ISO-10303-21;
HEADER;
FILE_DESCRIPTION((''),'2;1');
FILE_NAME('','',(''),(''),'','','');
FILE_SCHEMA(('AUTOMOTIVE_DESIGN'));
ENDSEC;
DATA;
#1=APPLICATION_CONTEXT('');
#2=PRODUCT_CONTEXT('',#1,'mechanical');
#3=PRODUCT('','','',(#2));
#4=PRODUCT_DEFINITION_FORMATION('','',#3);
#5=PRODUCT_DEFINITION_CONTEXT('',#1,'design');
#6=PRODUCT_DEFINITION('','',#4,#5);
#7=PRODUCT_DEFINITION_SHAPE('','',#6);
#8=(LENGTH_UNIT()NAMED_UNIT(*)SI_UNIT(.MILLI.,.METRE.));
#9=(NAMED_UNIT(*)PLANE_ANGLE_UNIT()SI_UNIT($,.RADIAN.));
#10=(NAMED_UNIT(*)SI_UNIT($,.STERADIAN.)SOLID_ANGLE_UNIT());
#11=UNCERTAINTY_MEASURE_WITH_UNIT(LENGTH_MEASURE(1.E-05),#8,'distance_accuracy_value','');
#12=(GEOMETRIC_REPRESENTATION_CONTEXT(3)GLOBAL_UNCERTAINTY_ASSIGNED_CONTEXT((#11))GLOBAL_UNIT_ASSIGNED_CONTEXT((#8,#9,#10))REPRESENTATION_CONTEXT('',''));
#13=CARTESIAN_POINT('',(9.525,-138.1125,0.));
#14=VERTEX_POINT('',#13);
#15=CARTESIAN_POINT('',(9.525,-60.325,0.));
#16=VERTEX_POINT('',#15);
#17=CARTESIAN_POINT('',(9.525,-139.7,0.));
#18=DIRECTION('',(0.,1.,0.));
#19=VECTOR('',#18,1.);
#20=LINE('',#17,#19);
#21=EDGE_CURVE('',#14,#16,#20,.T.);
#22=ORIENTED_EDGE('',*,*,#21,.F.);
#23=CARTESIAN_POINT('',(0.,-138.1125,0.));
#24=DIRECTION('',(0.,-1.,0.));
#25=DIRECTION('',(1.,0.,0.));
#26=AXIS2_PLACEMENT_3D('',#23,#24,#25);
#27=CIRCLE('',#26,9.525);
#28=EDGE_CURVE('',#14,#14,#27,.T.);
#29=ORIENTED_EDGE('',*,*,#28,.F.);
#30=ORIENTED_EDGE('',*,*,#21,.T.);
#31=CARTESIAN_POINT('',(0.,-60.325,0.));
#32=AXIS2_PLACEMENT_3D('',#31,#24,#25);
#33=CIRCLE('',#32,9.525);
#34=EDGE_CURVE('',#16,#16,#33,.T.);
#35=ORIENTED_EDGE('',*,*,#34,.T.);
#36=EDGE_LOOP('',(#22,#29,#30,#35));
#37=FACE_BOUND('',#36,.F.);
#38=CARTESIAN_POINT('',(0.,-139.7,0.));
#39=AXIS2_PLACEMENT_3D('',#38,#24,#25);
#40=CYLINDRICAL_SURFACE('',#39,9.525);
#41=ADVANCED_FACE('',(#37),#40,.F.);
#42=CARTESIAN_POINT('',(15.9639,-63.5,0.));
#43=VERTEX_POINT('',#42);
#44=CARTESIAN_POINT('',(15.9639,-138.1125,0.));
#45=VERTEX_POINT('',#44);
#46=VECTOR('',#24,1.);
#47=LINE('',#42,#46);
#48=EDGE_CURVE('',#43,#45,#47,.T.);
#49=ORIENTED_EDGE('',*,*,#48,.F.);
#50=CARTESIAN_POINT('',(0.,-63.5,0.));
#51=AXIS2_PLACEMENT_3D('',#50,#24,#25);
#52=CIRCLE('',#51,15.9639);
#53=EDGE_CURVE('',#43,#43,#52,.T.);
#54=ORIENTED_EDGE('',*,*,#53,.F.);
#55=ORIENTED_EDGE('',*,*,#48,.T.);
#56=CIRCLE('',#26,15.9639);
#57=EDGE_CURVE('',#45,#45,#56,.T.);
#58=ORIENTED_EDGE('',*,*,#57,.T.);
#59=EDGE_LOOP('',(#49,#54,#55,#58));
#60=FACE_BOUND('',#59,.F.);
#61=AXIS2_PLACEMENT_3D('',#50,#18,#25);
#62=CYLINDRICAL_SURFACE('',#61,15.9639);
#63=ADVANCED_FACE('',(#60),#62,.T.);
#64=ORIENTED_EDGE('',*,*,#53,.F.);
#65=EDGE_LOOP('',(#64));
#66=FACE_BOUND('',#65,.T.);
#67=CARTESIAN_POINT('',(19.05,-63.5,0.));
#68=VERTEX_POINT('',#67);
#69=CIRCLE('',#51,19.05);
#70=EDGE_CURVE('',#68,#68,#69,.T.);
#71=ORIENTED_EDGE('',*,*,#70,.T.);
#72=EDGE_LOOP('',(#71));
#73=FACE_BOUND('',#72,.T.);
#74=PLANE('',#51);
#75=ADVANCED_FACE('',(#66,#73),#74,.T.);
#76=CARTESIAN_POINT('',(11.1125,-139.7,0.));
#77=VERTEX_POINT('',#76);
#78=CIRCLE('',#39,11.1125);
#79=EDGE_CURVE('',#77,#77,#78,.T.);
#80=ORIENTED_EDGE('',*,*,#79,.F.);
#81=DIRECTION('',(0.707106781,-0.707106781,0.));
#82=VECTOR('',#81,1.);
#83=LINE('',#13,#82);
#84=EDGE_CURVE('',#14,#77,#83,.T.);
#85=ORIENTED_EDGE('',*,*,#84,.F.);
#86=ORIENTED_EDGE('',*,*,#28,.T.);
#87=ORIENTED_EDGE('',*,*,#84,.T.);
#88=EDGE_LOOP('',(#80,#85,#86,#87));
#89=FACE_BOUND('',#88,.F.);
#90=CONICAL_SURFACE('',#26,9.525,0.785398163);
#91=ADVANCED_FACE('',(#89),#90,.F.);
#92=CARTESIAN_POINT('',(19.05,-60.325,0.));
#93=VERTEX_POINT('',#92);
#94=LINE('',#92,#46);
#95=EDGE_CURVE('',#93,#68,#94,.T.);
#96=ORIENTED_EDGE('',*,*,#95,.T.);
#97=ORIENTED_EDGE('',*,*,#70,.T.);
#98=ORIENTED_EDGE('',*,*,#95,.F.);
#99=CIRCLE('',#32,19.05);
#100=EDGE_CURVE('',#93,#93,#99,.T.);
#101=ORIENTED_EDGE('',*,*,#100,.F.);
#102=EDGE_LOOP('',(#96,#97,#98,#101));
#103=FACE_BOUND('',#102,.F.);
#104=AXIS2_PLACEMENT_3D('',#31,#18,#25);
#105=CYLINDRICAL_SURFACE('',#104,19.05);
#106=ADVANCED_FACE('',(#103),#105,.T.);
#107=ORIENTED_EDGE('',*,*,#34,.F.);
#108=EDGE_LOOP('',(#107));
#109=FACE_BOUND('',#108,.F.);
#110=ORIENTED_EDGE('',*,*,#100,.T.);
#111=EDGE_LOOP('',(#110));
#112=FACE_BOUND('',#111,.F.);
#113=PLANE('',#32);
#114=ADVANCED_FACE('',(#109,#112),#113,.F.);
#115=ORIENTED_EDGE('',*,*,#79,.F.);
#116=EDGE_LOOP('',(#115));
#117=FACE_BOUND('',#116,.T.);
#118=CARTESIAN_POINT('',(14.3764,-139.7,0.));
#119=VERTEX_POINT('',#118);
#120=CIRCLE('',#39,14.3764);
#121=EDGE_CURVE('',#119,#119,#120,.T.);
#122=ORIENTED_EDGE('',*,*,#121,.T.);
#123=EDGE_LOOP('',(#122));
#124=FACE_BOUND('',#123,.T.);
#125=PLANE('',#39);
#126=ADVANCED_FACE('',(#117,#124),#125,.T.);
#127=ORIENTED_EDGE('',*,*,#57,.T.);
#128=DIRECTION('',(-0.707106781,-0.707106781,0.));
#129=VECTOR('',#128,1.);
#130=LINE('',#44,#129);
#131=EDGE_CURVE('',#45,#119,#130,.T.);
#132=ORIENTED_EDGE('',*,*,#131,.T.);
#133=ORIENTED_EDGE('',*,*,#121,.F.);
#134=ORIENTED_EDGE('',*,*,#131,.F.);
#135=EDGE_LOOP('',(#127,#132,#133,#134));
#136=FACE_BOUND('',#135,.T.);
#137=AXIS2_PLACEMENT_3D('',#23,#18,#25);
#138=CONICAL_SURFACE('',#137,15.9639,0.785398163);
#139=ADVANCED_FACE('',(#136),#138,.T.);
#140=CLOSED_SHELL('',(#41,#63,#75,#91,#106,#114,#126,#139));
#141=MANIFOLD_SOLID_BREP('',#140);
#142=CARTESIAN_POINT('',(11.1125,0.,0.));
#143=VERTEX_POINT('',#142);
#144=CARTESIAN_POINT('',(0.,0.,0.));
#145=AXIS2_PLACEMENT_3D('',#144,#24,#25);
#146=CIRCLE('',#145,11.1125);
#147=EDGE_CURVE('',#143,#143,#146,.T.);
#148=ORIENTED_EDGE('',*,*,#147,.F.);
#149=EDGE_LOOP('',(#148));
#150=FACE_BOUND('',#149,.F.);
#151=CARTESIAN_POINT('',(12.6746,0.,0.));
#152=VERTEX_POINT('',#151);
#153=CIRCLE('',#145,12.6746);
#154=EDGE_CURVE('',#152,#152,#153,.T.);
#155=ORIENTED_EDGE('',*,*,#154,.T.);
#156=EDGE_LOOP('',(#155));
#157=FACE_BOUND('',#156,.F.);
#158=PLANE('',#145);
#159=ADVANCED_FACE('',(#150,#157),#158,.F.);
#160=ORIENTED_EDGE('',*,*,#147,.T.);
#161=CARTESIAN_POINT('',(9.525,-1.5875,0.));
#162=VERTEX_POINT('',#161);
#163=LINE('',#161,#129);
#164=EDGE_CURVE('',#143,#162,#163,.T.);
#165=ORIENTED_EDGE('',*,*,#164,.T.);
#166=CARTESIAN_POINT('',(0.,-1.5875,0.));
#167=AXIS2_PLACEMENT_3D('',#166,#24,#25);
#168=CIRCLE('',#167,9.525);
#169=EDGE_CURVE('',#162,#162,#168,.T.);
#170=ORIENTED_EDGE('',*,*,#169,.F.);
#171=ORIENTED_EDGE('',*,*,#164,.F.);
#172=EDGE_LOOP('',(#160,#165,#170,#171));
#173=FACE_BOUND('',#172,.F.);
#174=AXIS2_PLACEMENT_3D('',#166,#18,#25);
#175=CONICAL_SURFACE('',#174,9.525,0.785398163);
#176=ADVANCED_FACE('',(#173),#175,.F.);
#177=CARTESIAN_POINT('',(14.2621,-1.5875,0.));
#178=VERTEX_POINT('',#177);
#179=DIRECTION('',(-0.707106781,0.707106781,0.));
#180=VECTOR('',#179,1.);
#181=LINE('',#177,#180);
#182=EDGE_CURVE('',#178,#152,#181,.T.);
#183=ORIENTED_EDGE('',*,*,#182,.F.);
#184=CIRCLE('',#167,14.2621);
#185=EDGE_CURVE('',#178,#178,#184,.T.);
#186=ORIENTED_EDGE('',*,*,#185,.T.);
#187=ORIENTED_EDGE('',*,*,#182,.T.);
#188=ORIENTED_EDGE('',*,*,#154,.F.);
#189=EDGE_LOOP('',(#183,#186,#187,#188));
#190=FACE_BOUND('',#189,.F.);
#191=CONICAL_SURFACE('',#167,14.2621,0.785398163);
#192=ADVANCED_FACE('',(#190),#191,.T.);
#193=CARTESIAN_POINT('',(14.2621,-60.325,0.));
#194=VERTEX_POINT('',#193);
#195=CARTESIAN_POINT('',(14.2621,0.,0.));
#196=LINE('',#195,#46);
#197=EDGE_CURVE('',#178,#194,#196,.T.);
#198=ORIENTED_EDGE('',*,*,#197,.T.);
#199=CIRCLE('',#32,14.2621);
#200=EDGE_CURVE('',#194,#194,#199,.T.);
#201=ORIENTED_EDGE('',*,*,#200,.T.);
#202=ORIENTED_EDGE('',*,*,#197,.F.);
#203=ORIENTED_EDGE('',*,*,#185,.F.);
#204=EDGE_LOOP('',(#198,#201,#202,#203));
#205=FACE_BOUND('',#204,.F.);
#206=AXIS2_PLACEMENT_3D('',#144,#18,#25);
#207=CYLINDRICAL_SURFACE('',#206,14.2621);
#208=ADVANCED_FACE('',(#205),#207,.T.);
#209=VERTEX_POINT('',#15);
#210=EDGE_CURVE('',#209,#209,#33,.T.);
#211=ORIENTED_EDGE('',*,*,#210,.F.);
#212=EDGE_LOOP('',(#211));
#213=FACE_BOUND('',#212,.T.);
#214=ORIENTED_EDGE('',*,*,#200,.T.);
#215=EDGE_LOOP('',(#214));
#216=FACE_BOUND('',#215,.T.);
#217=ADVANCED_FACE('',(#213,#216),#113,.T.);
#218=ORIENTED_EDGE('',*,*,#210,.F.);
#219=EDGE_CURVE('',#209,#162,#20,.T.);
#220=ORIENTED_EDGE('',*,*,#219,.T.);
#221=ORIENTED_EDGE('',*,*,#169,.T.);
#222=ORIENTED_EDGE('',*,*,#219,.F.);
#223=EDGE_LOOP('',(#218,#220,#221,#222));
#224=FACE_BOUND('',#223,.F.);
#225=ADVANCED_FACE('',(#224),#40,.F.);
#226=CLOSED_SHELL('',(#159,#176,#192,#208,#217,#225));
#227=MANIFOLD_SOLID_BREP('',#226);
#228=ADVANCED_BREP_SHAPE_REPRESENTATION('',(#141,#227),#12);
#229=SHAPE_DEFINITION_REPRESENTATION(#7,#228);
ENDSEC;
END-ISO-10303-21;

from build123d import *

# Parameters (mm, degrees)
F0_R      = 14.2621
F1_DEPTH  = 60.325
F2_R      = 19.05
F2_R_2    = 14.2621
F3_DEPTH  = 3.175
F5_R      = 15.9639
F6_DEPTH  = 76.2
F7_R      = 9.525
F8_DEPTH  = 139.701
F9_SIZE   = 1.5875
F9_2_SIZE = 1.5875


with BuildPart() as f1:
    # F0 (on Front) → F1 (new body)
    with BuildSketch(Plane.XZ):
        Circle(F0_R)
    extrude(amount=F1_DEPTH)


with BuildPart() as f3:
    # F2 (on face) → F3 (new body)
    with BuildSketch(Plane.XZ.offset(60.325)):
        Circle(F2_R)
        Circle(F2_R_2, mode=Mode.SUBTRACT)
        Circle(F2_R_2)
    extrude(amount=F3_DEPTH)

    # F5 (on face) → F6 (join)
    with BuildSketch(Plane.XZ.offset(63.5)):
        Circle(F5_R)
    extrude(amount=F6_DEPTH)


with BuildPart() as f8_tool:
    # F7 (on face) → F8 (new body, through all)
    with BuildSketch(Plane.XZ.offset(139.7)):
        Circle(F7_R)
    extrude(amount=-F8_DEPTH)


with BuildPart() as f1_1:
    add(f1.part)

    # F8: cut by f8_tool
    add(f8_tool.part, mode=Mode.SUBTRACT)

    # F9
    f9_edges = [f1_1.edges().sort_by_distance(p)[0] for p in [
        (-14.2621, 0, 0),
        (-9.525, 0, 0),
    ]]
    chamfer(f9_edges, length=F9_SIZE)


with BuildPart() as f3_1:
    add(f3.part)

    # F8: cut by f8_tool
    add(f8_tool.part, mode=Mode.SUBTRACT)

    # F9#2
    f9_2_edges = [f3_1.edges().sort_by_distance(p)[0] for p in [
        (-15.9639, -139.7, 0),
        (-9.525, -139.7, 0),
    ]]
    chamfer(f9_2_edges, length=F9_2_SIZE)


solid = Compound([f1_1.part, f3_1.part])
